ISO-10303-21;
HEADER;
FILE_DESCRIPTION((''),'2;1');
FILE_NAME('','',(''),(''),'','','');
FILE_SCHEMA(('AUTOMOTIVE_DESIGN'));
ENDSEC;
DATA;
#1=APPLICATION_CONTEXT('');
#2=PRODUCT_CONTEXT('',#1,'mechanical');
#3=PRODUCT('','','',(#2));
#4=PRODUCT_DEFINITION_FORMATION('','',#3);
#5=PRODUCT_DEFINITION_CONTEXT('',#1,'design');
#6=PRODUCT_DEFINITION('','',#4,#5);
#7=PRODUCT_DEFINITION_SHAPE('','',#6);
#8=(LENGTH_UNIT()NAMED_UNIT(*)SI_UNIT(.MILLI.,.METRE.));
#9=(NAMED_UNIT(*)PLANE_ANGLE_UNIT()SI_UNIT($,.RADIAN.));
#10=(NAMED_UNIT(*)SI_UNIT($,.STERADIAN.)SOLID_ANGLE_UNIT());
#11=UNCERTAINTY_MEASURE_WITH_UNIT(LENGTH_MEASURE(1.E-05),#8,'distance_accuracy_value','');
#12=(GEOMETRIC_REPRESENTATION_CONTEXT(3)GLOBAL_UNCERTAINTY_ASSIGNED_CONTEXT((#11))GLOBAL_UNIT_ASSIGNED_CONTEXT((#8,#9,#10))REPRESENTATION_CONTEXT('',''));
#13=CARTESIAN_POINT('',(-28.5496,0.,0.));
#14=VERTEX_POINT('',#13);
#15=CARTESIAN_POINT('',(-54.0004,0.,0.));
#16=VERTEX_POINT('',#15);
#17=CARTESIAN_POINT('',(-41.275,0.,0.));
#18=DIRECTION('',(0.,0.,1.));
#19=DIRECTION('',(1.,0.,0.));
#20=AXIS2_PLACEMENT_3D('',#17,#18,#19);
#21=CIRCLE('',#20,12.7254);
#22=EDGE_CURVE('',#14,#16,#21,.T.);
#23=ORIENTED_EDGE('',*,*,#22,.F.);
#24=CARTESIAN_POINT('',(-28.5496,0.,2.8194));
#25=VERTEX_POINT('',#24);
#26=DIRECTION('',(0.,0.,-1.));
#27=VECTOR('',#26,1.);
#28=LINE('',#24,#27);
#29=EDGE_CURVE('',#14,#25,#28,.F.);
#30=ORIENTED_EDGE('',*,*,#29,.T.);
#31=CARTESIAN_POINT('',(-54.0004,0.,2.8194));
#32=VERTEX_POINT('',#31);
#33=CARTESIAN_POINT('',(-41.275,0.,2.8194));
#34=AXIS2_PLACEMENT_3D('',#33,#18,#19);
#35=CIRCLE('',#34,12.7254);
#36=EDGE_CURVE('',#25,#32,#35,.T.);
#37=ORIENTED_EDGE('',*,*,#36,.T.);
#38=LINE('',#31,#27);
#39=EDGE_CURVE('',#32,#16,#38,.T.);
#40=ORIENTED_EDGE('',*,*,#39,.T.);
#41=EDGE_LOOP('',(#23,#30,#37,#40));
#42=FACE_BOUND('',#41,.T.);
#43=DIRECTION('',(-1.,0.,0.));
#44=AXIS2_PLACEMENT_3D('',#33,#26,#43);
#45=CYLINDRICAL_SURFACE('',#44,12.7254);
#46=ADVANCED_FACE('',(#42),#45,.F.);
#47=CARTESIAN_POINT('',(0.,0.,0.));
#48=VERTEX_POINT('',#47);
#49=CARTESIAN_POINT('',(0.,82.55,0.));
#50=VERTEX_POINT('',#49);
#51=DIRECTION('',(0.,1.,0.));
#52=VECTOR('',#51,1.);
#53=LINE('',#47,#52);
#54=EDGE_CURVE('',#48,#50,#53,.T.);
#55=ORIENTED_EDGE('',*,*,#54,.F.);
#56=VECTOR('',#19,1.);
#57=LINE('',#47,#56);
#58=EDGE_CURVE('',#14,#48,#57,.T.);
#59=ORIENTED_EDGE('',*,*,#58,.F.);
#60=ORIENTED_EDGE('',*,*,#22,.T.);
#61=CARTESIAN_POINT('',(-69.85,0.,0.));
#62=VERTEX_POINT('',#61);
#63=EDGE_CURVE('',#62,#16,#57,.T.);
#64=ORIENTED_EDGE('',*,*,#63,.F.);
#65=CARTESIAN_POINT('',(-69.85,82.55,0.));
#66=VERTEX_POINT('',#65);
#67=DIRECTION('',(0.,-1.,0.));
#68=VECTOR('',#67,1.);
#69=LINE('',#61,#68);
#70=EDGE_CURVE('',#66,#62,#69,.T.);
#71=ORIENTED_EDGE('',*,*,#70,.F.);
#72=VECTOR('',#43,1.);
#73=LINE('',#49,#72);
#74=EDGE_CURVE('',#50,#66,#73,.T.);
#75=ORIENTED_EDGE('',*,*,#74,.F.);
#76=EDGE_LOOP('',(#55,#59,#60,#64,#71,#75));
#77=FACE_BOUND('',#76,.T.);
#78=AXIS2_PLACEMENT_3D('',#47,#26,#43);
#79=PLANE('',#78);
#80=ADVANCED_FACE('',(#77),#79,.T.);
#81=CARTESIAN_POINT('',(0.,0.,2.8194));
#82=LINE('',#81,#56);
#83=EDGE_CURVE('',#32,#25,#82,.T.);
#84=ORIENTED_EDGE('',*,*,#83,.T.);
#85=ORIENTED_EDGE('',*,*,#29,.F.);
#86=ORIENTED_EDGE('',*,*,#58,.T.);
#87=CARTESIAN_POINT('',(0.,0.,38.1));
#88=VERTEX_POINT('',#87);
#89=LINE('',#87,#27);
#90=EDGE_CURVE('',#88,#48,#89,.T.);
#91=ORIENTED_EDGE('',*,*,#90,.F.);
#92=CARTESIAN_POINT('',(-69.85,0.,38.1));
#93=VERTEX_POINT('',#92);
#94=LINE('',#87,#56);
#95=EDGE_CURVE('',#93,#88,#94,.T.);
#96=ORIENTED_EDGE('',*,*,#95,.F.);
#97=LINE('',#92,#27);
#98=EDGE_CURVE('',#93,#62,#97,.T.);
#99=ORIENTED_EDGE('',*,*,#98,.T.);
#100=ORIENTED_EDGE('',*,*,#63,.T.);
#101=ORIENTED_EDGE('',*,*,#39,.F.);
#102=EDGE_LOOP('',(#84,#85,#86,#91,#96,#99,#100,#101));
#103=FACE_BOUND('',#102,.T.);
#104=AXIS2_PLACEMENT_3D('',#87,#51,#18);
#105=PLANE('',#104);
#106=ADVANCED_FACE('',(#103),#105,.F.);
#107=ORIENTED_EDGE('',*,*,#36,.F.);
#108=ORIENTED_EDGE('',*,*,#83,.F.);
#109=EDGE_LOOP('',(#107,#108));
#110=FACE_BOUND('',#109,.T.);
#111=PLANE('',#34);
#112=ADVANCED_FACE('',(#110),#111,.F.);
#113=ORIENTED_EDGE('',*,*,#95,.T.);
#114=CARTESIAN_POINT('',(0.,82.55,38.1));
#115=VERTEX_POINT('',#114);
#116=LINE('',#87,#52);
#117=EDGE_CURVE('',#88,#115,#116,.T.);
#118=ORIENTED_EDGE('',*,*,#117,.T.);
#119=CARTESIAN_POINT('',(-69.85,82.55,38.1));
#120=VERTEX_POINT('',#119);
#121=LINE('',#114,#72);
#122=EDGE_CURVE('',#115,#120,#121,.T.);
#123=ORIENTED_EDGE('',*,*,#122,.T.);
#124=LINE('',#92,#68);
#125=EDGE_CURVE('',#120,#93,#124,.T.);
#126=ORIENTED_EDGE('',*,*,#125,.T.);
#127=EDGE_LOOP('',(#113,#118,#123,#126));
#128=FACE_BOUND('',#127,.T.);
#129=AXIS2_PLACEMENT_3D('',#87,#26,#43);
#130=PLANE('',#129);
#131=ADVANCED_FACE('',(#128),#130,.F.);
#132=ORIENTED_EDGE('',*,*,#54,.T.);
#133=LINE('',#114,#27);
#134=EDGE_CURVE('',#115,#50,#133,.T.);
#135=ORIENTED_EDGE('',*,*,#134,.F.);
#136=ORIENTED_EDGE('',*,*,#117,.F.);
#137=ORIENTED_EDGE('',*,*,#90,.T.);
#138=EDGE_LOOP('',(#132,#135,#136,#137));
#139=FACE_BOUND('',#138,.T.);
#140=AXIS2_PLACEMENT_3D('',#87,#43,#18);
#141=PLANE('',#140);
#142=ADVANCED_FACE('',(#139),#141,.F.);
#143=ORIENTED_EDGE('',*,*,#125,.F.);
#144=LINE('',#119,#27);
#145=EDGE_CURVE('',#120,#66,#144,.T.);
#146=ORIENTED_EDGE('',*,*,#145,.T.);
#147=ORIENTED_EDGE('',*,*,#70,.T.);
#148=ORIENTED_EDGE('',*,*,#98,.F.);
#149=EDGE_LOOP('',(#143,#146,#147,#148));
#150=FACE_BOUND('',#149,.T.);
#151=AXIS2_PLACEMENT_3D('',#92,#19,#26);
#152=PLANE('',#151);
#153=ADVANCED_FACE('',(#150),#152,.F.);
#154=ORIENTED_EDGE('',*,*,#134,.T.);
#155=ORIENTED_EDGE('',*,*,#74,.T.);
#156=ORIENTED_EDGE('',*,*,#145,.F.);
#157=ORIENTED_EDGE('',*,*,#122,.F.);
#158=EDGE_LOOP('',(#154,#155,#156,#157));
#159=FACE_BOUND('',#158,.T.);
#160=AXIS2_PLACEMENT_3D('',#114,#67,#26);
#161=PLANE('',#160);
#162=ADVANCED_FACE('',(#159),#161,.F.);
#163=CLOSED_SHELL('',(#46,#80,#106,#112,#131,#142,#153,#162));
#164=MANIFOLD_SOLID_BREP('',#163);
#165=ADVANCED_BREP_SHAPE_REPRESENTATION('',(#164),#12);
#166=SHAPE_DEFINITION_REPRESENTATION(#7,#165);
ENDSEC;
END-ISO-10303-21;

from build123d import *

# Parameters (mm, degrees)
SKETCH1_W           = 82.55
SKETCH1_H           = 69.85
BOSS_EXTRUDE1_DEPTH = 38.1
SKETCH2_R           = 12.7254
CUT_EXTRUDE1_DEPTH  = 2.8194


with BuildPart() as part:
    # Sketch1 → Boss-Extrude1 (new body)
    with BuildSketch(Plane(origin=(0, 0, 0), x_dir=(0, 1, 0), z_dir=(0, 0, 1))):
        with Locations((41.275, 34.925)):
            Rectangle(SKETCH1_W, SKETCH1_H)
    extrude(amount=BOSS_EXTRUDE1_DEPTH)

    # Sketch2 → Cut-Extrude1 (cut)
    with BuildSketch(Plane(origin=(0, 0, 0), x_dir=(0, 1, 0), z_dir=(0, 0, 1))):
        with Locations((0, 41.275)):
            Circle(SKETCH2_R)
    extrude(amount=CUT_EXTRUDE1_DEPTH, mode=Mode.SUBTRACT)


solid = part.part
